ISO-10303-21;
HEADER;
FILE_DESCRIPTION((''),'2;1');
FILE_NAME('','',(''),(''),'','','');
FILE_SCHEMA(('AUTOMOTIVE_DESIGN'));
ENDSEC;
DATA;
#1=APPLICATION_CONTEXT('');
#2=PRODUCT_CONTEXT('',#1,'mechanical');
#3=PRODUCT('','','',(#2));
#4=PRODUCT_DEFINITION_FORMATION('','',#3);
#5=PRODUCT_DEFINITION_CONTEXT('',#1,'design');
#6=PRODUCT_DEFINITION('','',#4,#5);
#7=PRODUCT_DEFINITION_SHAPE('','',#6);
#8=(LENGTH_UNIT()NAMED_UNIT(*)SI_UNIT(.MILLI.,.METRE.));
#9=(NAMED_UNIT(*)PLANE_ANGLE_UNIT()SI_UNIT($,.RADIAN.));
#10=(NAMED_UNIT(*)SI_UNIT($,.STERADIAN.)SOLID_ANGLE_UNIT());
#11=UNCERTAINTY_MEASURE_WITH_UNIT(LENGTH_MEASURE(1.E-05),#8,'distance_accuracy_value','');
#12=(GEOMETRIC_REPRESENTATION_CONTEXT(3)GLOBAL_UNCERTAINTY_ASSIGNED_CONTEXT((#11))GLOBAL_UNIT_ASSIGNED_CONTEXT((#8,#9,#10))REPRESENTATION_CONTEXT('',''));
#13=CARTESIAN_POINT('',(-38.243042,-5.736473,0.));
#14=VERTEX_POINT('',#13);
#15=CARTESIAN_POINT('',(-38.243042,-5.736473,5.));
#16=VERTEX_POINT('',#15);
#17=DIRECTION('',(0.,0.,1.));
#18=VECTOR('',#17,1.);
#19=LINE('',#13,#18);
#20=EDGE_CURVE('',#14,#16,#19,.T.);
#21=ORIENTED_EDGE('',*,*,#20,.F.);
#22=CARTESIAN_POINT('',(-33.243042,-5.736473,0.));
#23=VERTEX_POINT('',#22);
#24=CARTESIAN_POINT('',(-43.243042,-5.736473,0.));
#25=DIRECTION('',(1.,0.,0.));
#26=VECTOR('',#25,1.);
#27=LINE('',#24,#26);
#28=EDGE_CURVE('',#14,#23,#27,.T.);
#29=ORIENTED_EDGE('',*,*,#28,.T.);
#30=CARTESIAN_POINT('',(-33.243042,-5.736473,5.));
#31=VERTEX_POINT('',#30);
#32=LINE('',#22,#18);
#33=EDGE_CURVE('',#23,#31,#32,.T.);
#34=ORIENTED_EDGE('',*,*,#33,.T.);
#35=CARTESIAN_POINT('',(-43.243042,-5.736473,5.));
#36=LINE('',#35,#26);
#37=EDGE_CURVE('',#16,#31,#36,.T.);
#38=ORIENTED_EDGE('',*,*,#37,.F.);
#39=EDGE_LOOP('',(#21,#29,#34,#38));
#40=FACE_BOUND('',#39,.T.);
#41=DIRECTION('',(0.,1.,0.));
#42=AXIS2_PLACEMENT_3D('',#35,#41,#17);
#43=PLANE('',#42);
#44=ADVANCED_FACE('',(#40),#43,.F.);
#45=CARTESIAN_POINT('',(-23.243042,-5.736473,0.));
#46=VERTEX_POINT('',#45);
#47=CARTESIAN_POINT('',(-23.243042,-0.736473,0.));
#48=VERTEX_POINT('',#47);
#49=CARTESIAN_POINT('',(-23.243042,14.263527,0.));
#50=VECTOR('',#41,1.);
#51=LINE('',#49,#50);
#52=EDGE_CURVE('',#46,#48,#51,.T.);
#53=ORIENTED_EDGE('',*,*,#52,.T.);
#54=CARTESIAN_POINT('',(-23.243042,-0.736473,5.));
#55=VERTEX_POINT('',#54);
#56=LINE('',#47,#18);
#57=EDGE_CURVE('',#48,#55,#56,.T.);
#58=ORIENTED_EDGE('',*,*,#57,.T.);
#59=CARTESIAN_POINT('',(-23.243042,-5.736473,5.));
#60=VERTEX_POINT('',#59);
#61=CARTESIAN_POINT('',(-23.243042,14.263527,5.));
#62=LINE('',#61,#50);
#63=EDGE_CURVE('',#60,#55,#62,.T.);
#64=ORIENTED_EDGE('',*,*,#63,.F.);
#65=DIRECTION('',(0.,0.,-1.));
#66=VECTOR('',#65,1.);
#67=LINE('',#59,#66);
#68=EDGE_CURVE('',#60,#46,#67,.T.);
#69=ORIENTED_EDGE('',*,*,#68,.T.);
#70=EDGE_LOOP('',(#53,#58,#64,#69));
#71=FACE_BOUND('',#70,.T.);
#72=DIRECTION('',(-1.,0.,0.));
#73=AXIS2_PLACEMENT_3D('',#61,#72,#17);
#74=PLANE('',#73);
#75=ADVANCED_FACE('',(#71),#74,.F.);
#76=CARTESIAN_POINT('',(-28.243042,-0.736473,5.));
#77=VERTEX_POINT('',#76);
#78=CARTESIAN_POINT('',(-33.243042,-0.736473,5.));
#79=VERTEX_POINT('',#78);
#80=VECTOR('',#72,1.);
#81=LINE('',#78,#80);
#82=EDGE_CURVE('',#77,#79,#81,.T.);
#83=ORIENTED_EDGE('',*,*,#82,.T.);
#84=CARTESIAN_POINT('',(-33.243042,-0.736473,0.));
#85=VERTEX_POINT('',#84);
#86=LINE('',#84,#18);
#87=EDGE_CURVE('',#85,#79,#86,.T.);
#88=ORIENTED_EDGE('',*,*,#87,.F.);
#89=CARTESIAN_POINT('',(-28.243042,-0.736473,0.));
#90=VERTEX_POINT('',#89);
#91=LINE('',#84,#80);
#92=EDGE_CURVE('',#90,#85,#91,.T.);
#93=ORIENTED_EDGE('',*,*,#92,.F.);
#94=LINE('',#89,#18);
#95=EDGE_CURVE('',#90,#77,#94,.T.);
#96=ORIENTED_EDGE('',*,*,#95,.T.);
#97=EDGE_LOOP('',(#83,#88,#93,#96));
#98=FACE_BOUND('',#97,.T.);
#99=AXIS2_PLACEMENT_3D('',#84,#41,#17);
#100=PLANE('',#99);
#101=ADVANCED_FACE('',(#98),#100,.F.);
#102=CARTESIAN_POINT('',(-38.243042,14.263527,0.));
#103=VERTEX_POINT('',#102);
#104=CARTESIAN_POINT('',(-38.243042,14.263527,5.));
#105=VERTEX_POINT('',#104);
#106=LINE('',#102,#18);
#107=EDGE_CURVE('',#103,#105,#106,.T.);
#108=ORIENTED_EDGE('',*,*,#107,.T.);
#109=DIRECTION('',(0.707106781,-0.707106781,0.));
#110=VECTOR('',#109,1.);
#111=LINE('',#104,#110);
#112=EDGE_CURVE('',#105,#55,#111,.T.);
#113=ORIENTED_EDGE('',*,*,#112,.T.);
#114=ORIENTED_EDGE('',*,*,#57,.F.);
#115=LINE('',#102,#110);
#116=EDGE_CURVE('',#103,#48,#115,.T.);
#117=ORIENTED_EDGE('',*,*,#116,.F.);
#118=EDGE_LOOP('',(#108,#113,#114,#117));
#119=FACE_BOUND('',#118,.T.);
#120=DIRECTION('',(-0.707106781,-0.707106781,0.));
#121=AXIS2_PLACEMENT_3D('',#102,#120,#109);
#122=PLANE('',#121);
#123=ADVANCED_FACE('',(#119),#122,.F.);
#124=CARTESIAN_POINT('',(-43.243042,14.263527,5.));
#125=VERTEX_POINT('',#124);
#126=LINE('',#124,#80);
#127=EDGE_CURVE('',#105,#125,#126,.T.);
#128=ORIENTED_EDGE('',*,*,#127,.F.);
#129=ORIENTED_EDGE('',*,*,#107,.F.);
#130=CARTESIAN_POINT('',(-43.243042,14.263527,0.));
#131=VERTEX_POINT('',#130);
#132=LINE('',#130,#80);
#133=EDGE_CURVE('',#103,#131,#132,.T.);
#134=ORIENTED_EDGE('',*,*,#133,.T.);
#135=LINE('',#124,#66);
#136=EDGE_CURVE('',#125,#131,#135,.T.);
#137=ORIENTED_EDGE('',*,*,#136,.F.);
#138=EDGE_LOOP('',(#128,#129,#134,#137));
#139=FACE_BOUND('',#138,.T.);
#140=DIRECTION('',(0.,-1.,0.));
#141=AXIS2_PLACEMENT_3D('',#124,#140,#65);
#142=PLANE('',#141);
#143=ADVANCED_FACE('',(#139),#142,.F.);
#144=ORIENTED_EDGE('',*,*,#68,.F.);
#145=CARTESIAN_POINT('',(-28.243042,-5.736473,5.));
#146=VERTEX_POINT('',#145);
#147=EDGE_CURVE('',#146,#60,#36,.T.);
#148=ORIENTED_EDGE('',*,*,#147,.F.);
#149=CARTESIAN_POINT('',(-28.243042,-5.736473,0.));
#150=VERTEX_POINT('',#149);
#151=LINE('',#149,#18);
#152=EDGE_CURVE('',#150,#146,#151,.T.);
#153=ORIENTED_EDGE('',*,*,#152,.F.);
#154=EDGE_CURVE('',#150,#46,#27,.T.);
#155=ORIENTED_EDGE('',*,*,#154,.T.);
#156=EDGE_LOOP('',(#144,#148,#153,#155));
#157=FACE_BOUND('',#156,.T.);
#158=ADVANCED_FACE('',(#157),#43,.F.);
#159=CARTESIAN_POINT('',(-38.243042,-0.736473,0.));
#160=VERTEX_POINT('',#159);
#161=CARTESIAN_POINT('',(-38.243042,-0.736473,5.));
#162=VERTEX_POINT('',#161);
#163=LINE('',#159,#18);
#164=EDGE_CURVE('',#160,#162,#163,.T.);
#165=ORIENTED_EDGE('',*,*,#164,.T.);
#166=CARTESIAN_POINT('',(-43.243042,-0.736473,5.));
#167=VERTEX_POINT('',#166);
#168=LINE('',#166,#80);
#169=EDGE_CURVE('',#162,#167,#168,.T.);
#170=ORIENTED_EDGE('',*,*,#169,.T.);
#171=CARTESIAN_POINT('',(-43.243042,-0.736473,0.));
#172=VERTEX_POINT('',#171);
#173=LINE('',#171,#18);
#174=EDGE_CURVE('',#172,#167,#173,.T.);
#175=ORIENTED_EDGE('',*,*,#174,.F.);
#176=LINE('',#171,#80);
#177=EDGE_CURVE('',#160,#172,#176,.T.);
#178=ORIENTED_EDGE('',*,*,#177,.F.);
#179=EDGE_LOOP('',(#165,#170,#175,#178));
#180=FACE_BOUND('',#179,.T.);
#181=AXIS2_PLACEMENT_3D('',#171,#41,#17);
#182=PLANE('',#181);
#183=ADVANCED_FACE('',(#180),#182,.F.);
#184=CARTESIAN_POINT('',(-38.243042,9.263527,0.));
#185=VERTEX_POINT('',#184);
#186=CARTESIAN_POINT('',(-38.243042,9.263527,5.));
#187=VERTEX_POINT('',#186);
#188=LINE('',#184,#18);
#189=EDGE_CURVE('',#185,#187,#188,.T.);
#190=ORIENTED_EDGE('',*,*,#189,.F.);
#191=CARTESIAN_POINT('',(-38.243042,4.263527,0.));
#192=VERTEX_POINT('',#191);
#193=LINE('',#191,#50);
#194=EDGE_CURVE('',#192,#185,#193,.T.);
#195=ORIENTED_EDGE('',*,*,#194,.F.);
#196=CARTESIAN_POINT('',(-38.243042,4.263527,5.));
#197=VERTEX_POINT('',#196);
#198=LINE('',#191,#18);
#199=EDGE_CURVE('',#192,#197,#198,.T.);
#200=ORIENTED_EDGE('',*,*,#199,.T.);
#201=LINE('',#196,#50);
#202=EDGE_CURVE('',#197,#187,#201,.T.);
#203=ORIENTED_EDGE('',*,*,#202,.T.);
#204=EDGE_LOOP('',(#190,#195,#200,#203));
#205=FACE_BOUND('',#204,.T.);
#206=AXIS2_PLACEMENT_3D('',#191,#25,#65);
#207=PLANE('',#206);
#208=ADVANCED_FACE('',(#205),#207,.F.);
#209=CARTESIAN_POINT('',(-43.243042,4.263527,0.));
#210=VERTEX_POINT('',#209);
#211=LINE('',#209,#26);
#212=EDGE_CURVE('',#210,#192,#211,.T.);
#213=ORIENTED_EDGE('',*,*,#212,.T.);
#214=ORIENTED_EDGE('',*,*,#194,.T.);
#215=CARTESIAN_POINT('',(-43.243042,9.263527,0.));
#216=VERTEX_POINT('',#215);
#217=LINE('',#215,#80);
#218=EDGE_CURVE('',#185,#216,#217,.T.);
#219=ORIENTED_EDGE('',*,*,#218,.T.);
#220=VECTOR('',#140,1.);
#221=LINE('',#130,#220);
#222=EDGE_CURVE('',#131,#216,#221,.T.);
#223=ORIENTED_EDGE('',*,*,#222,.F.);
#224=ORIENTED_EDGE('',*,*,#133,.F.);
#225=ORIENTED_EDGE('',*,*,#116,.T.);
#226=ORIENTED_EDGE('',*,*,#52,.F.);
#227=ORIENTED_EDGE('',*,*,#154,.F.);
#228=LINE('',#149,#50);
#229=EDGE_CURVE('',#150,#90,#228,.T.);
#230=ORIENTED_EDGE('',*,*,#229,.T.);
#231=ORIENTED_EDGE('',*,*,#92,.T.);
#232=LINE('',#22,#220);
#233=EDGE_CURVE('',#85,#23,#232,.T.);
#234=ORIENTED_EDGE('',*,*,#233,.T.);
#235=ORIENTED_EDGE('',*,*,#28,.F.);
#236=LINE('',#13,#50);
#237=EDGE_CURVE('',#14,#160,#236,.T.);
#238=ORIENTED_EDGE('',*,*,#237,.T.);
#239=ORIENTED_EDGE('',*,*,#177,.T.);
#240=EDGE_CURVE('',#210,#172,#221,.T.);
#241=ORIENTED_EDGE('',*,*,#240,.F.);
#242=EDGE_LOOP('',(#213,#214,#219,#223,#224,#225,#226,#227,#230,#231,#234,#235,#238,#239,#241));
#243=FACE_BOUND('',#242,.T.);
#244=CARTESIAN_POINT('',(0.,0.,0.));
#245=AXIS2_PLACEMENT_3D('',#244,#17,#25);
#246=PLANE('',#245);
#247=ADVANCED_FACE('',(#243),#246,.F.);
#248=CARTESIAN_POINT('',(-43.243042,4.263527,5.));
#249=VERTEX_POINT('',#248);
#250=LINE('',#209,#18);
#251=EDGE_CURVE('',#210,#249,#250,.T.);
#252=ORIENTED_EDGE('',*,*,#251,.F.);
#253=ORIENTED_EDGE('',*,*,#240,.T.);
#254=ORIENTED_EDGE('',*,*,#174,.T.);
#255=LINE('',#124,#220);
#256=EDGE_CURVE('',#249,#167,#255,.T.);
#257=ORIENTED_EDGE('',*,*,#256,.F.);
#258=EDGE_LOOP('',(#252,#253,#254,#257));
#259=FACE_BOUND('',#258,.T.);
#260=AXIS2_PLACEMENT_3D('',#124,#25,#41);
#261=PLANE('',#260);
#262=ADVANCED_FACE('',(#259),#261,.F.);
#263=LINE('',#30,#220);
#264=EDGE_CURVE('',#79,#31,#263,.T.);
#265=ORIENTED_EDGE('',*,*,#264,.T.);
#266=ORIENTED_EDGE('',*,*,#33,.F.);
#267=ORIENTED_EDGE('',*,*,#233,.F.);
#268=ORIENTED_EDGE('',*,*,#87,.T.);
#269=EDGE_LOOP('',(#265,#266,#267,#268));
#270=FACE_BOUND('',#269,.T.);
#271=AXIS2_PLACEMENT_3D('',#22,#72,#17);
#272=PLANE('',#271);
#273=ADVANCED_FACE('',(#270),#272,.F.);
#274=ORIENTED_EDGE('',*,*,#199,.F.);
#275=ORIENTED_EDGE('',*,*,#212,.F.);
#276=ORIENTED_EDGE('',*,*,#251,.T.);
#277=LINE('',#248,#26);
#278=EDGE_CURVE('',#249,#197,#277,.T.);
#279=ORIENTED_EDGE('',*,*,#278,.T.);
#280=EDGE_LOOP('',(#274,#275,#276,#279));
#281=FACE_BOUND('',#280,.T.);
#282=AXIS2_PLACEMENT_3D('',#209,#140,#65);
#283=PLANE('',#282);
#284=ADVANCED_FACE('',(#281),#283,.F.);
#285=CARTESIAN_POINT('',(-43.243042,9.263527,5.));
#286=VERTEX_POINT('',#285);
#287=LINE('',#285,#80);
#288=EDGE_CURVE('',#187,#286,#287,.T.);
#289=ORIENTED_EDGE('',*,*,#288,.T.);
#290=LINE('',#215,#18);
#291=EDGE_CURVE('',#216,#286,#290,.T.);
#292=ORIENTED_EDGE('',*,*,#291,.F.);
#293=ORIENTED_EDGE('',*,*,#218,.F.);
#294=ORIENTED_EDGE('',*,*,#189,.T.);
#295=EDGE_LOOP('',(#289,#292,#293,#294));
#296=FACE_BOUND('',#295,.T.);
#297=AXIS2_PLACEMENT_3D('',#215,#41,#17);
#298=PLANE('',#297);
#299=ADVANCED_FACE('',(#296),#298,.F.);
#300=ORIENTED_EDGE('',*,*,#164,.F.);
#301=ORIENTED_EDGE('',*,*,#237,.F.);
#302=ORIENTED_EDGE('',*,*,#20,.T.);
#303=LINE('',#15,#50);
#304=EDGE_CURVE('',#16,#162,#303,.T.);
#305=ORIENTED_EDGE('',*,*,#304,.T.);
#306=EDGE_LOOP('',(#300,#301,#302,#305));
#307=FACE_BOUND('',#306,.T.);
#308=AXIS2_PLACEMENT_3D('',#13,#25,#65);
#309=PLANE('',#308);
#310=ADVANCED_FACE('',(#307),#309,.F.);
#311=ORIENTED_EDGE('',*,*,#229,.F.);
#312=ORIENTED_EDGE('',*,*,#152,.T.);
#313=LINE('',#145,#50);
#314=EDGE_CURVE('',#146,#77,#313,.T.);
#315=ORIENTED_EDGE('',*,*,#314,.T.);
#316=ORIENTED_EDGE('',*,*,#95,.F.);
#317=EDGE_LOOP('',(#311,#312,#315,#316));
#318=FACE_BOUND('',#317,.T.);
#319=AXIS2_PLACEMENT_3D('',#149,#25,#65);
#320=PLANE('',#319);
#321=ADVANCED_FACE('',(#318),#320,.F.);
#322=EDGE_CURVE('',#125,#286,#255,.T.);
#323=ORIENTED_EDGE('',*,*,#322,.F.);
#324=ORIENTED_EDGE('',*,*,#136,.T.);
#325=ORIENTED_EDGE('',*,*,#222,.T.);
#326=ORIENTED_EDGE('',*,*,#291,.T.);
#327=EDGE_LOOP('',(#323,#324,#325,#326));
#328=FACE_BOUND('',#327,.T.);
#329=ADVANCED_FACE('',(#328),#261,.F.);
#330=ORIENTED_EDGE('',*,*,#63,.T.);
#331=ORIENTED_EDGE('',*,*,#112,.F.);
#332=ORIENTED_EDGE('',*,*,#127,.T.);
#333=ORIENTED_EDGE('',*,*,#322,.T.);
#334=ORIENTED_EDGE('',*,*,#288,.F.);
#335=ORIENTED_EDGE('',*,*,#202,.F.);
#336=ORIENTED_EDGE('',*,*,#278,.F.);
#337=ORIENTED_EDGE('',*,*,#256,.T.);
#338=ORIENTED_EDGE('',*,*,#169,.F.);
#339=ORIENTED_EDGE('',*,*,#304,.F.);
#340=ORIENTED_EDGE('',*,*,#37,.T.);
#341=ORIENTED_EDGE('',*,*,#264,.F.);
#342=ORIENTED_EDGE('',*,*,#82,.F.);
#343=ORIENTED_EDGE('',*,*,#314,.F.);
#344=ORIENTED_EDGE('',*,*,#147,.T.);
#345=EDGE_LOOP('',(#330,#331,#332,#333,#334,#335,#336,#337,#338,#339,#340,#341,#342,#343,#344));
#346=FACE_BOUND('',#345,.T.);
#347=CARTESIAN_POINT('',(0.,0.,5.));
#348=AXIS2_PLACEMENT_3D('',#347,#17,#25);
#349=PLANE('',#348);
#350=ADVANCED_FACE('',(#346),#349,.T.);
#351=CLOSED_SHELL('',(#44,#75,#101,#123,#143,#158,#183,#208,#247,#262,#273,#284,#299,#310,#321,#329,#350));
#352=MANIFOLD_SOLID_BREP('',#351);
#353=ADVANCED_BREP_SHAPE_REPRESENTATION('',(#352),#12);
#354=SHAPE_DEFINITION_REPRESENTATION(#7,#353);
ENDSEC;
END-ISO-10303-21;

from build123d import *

# Parameters (mm, degrees)
ESQUISSE1_W             = 20
ESQUISSE1_H             = 20
BOSS_EXTRU_1_DEPTH      = 5
ESQUISSE2_W             = 5
ESQUISSE2_H             = 5
ENL_V_MAT_EXTRU_1_DEPTH = 5


with BuildPart() as part:
    # Esquisse1 → Boss.-Extru.1 (new body)
    with BuildSketch(Plane.XY):
        with Locations((-33.243041797, 4.26352657)):
            Rectangle(ESQUISSE1_W, ESQUISSE1_H)
    extrude(amount=BOSS_EXTRU_1_DEPTH)

    # Esquisse2 → Enlèv. mat.-Extru.1 (cut)
    with BuildSketch(Plane.XY.offset(5)):
        with Locations((-30.743041797, -3.23647343)):
            Rectangle(ESQUISSE2_W, ESQUISSE2_H)
        with Locations((-40.743041797, -3.23647343)):
            Rectangle(ESQUISSE2_W, ESQUISSE2_H)
        with Locations((-40.743041797, 6.76352657)):
            Rectangle(ESQUISSE2_W, ESQUISSE2_H)
        Polygon((-23.243041797, 14.26352657), (-38.243041797, 14.26352657), (-23.243041797, -0.73647343), align=None)
    extrude(amount=-ENL_V_MAT_EXTRU_1_DEPTH, mode=Mode.SUBTRACT)


solid = part.part
